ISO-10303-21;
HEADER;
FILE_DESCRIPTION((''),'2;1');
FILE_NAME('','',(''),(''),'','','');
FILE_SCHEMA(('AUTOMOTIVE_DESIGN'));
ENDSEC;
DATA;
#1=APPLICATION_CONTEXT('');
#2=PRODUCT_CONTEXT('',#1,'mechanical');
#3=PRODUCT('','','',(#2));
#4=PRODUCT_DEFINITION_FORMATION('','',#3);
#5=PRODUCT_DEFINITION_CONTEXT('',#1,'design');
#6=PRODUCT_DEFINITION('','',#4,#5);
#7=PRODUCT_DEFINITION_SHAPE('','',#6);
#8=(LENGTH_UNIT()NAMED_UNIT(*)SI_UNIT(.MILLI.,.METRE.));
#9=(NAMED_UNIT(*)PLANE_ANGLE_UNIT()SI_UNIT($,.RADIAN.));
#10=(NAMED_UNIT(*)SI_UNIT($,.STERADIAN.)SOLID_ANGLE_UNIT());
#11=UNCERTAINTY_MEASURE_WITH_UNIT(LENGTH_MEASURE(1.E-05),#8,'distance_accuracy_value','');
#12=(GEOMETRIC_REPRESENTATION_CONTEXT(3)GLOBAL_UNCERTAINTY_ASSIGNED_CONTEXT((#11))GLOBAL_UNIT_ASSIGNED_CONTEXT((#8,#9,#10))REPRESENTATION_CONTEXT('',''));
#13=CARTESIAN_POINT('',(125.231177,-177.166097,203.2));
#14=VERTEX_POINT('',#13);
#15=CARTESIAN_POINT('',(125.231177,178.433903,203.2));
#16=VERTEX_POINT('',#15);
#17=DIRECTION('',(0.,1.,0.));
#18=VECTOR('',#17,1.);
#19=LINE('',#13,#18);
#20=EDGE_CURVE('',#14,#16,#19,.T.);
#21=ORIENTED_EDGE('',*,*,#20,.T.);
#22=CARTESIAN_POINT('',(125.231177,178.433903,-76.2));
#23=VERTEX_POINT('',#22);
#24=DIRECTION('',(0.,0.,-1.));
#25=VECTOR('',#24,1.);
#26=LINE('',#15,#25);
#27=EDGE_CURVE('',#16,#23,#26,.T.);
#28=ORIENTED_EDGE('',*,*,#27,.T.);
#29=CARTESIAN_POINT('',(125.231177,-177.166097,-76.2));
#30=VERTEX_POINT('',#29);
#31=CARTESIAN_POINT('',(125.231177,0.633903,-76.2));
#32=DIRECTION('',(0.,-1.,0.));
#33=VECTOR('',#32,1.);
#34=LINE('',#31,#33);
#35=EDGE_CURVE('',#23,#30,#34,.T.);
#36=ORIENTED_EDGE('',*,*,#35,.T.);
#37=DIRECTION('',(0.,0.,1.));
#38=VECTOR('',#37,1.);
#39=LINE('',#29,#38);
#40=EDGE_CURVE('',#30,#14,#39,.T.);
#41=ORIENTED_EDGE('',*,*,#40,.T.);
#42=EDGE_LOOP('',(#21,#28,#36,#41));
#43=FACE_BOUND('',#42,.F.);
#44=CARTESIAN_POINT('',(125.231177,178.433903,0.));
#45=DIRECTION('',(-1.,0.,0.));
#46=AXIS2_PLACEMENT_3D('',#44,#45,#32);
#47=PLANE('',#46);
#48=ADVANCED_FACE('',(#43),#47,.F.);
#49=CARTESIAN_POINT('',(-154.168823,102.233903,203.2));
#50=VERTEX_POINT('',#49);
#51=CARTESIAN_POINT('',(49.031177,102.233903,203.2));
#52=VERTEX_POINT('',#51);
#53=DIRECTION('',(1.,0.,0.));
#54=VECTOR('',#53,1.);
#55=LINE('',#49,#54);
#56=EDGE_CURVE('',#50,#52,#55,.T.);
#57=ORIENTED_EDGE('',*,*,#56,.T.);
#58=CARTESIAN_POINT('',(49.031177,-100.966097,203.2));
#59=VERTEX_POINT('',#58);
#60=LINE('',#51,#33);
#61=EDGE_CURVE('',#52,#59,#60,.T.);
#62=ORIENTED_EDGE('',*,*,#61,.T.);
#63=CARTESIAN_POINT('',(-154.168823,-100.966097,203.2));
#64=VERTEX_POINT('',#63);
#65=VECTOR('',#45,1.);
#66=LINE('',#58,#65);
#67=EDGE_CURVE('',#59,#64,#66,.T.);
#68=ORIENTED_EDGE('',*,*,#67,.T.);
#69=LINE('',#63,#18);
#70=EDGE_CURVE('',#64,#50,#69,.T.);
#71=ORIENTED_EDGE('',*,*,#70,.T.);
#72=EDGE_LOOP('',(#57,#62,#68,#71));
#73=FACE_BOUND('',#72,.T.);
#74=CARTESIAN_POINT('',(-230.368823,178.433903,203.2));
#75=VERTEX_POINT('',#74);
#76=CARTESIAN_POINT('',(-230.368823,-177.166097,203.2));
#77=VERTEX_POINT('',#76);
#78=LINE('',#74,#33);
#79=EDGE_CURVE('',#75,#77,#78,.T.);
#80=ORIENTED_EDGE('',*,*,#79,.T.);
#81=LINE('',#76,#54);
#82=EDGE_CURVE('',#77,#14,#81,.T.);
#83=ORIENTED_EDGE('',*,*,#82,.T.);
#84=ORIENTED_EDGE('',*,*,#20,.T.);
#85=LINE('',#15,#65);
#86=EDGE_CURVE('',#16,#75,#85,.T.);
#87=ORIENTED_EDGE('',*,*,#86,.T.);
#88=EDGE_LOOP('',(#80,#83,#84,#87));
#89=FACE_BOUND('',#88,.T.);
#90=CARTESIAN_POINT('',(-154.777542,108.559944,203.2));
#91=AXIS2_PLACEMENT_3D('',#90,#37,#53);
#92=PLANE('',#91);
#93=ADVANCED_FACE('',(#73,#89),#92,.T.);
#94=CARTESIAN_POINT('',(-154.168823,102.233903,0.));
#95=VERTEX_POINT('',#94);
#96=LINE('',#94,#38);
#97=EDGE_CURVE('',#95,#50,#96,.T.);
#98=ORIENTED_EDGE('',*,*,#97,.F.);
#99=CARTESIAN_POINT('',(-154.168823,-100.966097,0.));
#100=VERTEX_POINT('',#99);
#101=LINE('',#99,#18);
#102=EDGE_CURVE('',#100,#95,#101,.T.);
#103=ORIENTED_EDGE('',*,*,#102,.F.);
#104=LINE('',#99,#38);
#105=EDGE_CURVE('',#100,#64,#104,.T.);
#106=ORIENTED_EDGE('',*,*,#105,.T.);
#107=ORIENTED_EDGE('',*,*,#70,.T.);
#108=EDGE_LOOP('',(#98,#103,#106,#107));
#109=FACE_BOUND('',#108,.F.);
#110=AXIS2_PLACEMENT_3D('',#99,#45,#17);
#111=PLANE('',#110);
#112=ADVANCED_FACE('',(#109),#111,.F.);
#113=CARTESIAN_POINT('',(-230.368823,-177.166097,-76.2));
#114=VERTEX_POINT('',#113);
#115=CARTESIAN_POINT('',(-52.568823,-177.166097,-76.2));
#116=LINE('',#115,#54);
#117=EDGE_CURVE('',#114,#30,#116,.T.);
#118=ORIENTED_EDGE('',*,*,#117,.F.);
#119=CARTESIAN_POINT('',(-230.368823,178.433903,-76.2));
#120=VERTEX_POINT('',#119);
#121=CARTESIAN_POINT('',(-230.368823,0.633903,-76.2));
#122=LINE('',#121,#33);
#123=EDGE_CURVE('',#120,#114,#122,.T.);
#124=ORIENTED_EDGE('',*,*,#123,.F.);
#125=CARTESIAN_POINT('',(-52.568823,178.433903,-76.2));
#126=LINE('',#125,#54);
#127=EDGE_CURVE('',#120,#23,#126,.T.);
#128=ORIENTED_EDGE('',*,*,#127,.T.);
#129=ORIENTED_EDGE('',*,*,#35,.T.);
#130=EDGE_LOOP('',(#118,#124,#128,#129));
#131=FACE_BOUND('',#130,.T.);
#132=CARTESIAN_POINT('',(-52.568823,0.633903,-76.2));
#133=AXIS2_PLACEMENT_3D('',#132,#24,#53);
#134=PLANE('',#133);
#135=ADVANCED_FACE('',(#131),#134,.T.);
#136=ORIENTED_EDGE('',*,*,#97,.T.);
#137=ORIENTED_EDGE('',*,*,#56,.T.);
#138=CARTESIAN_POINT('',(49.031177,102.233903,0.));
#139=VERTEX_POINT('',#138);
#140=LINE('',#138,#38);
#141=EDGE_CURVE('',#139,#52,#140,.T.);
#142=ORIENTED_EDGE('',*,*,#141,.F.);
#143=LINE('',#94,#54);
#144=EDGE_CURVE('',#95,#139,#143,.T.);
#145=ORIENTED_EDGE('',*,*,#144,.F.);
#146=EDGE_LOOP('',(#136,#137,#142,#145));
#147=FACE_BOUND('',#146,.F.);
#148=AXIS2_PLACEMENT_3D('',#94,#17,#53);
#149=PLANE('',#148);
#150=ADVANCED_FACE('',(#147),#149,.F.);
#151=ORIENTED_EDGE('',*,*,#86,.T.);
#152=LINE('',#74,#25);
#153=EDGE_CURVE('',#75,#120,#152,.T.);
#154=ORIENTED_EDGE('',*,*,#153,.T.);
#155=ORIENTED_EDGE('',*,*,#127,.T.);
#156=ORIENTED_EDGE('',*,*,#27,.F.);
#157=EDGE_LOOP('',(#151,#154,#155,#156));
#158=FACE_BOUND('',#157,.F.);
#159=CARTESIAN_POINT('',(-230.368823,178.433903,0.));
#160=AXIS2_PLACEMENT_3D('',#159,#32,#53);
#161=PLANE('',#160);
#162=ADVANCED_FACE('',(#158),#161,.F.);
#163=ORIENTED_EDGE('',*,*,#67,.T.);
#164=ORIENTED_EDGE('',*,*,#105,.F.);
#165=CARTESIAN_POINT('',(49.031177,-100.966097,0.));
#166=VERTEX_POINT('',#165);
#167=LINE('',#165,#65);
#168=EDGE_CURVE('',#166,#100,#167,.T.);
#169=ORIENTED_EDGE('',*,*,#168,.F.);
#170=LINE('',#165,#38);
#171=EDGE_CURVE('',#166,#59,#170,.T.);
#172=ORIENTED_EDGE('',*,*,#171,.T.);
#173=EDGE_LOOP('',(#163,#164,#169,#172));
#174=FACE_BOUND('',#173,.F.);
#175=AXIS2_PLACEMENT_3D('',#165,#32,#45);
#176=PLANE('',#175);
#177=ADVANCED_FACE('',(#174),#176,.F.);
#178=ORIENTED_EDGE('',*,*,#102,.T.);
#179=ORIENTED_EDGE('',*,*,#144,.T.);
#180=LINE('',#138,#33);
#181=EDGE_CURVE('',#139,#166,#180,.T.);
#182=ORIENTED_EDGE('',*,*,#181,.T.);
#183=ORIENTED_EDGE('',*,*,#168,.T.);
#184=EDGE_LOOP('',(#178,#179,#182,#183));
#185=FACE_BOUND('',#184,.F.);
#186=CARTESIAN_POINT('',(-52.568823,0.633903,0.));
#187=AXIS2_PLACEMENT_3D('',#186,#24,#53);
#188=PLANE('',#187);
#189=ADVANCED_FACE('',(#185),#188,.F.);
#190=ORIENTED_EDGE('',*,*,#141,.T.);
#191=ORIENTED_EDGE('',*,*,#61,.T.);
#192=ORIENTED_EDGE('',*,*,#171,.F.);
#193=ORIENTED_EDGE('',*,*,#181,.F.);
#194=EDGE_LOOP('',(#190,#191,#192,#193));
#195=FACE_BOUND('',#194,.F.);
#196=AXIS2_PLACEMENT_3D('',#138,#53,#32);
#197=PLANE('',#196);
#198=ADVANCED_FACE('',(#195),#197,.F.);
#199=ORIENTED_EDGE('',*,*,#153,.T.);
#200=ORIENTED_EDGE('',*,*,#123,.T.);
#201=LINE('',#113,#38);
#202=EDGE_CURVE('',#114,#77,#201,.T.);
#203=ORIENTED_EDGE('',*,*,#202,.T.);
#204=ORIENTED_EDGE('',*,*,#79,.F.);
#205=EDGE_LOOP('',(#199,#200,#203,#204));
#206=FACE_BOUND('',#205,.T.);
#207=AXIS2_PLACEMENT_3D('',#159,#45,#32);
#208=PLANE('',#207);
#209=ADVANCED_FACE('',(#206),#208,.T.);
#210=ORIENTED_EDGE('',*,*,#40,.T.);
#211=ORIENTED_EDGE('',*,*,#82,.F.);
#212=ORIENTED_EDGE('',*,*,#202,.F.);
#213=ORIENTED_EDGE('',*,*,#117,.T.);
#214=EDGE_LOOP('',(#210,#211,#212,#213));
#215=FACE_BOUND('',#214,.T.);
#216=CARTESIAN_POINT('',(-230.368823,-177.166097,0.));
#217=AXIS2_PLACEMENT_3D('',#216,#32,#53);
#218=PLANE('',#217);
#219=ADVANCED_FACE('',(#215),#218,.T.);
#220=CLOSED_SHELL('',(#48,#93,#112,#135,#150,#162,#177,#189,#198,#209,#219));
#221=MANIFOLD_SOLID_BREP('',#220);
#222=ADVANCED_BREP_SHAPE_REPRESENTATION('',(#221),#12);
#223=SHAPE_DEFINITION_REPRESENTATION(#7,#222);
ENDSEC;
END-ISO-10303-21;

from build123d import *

# Parameters (mm, degrees)
F1_DEPTH = 203.2
F2_W     = 355.6
F2_H     = 355.6
F3_DEPTH = 76.2


with BuildPart() as f1:
    # F0 (on Top) → F1 (new body)
    with BuildSketch(Plane.XY):
        Polygon((-154.168823, 12.068547), (-154.168823, 102.233903), (-52.568823, 102.233903), (-52.568823, 178.433903), (-230.368823, 178.433903), (-230.368823, 12.068547), align=None)
        Polygon((-154.168823, -100.966097), (-154.168823, 12.068547), (-230.368823, 12.068547), (-230.368823, -177.166097), (-52.568823, -177.166097), (-52.568823, -100.966097), align=None)
        Polygon((125.231177, 6.108771), (49.031177, 6.108771), (49.031177, -100.966097), (-52.568823, -100.966097), (-52.568823, -177.166097), (125.231177, -177.166097), align=None)
        Polygon((-52.568823, 178.433903), (-52.568823, 102.233903), (49.031177, 102.233903), (49.031177, 6.108771), (125.231177, 6.108771), (125.231177, 178.433903), align=None)
    extrude(amount=F1_DEPTH)

    # F2 (on face) → F3 (join)
    with BuildSketch(Plane(origin=(0, 0, 0), x_dir=(1, 0, 0), z_dir=(0, 0, -1))):
        with Locations((-52.568823, -0.633903)):
            Rectangle(F2_W, F2_H)
    extrude(amount=F3_DEPTH)


solid = f1.part
